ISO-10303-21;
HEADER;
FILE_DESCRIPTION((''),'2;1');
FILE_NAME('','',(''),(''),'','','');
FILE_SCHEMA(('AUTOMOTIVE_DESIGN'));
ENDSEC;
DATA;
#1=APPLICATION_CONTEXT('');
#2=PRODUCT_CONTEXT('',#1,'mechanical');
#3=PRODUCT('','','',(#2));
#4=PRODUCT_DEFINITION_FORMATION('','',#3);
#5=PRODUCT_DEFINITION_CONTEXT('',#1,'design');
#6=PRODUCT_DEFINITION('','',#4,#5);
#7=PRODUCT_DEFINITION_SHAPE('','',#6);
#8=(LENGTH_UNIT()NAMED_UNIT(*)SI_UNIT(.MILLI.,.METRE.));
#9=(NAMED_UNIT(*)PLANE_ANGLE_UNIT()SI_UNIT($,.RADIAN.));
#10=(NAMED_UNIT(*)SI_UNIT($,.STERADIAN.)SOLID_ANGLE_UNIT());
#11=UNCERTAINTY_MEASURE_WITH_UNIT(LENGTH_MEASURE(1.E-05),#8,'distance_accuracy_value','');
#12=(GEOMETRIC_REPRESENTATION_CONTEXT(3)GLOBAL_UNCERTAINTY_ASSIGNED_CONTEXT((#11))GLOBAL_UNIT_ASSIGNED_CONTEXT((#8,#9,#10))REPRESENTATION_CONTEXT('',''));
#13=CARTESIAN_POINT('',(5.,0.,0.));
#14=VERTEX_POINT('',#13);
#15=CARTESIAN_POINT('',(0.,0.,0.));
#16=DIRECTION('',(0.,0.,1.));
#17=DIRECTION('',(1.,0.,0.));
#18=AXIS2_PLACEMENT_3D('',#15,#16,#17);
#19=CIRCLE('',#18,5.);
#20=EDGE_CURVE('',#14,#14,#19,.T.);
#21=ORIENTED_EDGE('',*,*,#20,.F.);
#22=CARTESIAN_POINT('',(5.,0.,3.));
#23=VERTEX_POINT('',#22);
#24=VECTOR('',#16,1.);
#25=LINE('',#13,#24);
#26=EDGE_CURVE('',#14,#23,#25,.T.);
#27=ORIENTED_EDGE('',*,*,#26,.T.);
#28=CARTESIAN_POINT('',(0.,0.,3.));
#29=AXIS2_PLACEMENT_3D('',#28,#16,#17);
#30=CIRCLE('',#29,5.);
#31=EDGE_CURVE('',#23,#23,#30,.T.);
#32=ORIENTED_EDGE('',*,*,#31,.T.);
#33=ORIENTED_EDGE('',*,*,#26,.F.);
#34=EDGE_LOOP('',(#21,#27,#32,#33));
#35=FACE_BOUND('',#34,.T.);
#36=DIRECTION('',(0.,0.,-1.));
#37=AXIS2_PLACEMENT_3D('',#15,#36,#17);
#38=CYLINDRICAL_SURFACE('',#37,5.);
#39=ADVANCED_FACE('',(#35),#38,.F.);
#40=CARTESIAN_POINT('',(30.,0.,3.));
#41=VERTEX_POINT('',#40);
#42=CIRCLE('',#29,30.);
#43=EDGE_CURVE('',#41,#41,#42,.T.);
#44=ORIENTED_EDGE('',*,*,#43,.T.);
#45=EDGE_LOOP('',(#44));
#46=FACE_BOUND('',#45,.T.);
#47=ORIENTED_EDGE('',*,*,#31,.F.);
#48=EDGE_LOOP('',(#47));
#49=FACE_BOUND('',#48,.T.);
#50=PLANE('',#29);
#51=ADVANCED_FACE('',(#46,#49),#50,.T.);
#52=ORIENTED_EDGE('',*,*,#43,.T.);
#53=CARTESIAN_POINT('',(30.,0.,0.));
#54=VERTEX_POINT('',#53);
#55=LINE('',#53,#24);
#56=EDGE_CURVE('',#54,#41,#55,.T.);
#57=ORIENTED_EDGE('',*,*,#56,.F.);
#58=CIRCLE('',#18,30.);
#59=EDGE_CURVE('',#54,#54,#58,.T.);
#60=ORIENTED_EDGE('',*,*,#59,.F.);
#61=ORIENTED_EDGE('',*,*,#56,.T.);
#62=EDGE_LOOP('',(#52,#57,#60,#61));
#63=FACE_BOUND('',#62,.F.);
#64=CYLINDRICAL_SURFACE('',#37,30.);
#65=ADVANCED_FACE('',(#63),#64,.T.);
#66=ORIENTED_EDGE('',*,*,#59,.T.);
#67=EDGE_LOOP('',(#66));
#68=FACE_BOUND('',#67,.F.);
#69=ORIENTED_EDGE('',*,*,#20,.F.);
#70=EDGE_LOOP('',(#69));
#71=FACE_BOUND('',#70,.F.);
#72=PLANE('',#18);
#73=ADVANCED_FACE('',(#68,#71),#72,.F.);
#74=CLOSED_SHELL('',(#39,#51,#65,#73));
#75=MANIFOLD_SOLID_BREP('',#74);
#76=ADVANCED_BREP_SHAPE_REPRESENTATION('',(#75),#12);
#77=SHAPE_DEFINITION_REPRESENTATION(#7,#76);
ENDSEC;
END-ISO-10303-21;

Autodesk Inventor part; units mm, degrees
ref_plane "YZ Plane" through (0, 0, 0) normal (1, 0, 0) x (0, 1, 0)
ref_plane "XZ Plane" through (0, 0, 0) normal (0, 1, 0) x (-1, 0, 0)
ref_plane "XY Plane" through (0, 0, 0) normal (0, 0, 1) x (1, 0, 0)
sketch "Sketch1" plane through (0, 0, 0) normal (0, 0, 1) x (1, 0, 0)
  circle A0 centre (0, 0) radius 30
  circle A1 centre (0, 0) radius 5
  dimension "d0" = 60
  dimension "d1" = 10
extrude "Extrusion1" add sketch "Sketch1" along normal blind 3
properties part number "ServoHornBottom"
